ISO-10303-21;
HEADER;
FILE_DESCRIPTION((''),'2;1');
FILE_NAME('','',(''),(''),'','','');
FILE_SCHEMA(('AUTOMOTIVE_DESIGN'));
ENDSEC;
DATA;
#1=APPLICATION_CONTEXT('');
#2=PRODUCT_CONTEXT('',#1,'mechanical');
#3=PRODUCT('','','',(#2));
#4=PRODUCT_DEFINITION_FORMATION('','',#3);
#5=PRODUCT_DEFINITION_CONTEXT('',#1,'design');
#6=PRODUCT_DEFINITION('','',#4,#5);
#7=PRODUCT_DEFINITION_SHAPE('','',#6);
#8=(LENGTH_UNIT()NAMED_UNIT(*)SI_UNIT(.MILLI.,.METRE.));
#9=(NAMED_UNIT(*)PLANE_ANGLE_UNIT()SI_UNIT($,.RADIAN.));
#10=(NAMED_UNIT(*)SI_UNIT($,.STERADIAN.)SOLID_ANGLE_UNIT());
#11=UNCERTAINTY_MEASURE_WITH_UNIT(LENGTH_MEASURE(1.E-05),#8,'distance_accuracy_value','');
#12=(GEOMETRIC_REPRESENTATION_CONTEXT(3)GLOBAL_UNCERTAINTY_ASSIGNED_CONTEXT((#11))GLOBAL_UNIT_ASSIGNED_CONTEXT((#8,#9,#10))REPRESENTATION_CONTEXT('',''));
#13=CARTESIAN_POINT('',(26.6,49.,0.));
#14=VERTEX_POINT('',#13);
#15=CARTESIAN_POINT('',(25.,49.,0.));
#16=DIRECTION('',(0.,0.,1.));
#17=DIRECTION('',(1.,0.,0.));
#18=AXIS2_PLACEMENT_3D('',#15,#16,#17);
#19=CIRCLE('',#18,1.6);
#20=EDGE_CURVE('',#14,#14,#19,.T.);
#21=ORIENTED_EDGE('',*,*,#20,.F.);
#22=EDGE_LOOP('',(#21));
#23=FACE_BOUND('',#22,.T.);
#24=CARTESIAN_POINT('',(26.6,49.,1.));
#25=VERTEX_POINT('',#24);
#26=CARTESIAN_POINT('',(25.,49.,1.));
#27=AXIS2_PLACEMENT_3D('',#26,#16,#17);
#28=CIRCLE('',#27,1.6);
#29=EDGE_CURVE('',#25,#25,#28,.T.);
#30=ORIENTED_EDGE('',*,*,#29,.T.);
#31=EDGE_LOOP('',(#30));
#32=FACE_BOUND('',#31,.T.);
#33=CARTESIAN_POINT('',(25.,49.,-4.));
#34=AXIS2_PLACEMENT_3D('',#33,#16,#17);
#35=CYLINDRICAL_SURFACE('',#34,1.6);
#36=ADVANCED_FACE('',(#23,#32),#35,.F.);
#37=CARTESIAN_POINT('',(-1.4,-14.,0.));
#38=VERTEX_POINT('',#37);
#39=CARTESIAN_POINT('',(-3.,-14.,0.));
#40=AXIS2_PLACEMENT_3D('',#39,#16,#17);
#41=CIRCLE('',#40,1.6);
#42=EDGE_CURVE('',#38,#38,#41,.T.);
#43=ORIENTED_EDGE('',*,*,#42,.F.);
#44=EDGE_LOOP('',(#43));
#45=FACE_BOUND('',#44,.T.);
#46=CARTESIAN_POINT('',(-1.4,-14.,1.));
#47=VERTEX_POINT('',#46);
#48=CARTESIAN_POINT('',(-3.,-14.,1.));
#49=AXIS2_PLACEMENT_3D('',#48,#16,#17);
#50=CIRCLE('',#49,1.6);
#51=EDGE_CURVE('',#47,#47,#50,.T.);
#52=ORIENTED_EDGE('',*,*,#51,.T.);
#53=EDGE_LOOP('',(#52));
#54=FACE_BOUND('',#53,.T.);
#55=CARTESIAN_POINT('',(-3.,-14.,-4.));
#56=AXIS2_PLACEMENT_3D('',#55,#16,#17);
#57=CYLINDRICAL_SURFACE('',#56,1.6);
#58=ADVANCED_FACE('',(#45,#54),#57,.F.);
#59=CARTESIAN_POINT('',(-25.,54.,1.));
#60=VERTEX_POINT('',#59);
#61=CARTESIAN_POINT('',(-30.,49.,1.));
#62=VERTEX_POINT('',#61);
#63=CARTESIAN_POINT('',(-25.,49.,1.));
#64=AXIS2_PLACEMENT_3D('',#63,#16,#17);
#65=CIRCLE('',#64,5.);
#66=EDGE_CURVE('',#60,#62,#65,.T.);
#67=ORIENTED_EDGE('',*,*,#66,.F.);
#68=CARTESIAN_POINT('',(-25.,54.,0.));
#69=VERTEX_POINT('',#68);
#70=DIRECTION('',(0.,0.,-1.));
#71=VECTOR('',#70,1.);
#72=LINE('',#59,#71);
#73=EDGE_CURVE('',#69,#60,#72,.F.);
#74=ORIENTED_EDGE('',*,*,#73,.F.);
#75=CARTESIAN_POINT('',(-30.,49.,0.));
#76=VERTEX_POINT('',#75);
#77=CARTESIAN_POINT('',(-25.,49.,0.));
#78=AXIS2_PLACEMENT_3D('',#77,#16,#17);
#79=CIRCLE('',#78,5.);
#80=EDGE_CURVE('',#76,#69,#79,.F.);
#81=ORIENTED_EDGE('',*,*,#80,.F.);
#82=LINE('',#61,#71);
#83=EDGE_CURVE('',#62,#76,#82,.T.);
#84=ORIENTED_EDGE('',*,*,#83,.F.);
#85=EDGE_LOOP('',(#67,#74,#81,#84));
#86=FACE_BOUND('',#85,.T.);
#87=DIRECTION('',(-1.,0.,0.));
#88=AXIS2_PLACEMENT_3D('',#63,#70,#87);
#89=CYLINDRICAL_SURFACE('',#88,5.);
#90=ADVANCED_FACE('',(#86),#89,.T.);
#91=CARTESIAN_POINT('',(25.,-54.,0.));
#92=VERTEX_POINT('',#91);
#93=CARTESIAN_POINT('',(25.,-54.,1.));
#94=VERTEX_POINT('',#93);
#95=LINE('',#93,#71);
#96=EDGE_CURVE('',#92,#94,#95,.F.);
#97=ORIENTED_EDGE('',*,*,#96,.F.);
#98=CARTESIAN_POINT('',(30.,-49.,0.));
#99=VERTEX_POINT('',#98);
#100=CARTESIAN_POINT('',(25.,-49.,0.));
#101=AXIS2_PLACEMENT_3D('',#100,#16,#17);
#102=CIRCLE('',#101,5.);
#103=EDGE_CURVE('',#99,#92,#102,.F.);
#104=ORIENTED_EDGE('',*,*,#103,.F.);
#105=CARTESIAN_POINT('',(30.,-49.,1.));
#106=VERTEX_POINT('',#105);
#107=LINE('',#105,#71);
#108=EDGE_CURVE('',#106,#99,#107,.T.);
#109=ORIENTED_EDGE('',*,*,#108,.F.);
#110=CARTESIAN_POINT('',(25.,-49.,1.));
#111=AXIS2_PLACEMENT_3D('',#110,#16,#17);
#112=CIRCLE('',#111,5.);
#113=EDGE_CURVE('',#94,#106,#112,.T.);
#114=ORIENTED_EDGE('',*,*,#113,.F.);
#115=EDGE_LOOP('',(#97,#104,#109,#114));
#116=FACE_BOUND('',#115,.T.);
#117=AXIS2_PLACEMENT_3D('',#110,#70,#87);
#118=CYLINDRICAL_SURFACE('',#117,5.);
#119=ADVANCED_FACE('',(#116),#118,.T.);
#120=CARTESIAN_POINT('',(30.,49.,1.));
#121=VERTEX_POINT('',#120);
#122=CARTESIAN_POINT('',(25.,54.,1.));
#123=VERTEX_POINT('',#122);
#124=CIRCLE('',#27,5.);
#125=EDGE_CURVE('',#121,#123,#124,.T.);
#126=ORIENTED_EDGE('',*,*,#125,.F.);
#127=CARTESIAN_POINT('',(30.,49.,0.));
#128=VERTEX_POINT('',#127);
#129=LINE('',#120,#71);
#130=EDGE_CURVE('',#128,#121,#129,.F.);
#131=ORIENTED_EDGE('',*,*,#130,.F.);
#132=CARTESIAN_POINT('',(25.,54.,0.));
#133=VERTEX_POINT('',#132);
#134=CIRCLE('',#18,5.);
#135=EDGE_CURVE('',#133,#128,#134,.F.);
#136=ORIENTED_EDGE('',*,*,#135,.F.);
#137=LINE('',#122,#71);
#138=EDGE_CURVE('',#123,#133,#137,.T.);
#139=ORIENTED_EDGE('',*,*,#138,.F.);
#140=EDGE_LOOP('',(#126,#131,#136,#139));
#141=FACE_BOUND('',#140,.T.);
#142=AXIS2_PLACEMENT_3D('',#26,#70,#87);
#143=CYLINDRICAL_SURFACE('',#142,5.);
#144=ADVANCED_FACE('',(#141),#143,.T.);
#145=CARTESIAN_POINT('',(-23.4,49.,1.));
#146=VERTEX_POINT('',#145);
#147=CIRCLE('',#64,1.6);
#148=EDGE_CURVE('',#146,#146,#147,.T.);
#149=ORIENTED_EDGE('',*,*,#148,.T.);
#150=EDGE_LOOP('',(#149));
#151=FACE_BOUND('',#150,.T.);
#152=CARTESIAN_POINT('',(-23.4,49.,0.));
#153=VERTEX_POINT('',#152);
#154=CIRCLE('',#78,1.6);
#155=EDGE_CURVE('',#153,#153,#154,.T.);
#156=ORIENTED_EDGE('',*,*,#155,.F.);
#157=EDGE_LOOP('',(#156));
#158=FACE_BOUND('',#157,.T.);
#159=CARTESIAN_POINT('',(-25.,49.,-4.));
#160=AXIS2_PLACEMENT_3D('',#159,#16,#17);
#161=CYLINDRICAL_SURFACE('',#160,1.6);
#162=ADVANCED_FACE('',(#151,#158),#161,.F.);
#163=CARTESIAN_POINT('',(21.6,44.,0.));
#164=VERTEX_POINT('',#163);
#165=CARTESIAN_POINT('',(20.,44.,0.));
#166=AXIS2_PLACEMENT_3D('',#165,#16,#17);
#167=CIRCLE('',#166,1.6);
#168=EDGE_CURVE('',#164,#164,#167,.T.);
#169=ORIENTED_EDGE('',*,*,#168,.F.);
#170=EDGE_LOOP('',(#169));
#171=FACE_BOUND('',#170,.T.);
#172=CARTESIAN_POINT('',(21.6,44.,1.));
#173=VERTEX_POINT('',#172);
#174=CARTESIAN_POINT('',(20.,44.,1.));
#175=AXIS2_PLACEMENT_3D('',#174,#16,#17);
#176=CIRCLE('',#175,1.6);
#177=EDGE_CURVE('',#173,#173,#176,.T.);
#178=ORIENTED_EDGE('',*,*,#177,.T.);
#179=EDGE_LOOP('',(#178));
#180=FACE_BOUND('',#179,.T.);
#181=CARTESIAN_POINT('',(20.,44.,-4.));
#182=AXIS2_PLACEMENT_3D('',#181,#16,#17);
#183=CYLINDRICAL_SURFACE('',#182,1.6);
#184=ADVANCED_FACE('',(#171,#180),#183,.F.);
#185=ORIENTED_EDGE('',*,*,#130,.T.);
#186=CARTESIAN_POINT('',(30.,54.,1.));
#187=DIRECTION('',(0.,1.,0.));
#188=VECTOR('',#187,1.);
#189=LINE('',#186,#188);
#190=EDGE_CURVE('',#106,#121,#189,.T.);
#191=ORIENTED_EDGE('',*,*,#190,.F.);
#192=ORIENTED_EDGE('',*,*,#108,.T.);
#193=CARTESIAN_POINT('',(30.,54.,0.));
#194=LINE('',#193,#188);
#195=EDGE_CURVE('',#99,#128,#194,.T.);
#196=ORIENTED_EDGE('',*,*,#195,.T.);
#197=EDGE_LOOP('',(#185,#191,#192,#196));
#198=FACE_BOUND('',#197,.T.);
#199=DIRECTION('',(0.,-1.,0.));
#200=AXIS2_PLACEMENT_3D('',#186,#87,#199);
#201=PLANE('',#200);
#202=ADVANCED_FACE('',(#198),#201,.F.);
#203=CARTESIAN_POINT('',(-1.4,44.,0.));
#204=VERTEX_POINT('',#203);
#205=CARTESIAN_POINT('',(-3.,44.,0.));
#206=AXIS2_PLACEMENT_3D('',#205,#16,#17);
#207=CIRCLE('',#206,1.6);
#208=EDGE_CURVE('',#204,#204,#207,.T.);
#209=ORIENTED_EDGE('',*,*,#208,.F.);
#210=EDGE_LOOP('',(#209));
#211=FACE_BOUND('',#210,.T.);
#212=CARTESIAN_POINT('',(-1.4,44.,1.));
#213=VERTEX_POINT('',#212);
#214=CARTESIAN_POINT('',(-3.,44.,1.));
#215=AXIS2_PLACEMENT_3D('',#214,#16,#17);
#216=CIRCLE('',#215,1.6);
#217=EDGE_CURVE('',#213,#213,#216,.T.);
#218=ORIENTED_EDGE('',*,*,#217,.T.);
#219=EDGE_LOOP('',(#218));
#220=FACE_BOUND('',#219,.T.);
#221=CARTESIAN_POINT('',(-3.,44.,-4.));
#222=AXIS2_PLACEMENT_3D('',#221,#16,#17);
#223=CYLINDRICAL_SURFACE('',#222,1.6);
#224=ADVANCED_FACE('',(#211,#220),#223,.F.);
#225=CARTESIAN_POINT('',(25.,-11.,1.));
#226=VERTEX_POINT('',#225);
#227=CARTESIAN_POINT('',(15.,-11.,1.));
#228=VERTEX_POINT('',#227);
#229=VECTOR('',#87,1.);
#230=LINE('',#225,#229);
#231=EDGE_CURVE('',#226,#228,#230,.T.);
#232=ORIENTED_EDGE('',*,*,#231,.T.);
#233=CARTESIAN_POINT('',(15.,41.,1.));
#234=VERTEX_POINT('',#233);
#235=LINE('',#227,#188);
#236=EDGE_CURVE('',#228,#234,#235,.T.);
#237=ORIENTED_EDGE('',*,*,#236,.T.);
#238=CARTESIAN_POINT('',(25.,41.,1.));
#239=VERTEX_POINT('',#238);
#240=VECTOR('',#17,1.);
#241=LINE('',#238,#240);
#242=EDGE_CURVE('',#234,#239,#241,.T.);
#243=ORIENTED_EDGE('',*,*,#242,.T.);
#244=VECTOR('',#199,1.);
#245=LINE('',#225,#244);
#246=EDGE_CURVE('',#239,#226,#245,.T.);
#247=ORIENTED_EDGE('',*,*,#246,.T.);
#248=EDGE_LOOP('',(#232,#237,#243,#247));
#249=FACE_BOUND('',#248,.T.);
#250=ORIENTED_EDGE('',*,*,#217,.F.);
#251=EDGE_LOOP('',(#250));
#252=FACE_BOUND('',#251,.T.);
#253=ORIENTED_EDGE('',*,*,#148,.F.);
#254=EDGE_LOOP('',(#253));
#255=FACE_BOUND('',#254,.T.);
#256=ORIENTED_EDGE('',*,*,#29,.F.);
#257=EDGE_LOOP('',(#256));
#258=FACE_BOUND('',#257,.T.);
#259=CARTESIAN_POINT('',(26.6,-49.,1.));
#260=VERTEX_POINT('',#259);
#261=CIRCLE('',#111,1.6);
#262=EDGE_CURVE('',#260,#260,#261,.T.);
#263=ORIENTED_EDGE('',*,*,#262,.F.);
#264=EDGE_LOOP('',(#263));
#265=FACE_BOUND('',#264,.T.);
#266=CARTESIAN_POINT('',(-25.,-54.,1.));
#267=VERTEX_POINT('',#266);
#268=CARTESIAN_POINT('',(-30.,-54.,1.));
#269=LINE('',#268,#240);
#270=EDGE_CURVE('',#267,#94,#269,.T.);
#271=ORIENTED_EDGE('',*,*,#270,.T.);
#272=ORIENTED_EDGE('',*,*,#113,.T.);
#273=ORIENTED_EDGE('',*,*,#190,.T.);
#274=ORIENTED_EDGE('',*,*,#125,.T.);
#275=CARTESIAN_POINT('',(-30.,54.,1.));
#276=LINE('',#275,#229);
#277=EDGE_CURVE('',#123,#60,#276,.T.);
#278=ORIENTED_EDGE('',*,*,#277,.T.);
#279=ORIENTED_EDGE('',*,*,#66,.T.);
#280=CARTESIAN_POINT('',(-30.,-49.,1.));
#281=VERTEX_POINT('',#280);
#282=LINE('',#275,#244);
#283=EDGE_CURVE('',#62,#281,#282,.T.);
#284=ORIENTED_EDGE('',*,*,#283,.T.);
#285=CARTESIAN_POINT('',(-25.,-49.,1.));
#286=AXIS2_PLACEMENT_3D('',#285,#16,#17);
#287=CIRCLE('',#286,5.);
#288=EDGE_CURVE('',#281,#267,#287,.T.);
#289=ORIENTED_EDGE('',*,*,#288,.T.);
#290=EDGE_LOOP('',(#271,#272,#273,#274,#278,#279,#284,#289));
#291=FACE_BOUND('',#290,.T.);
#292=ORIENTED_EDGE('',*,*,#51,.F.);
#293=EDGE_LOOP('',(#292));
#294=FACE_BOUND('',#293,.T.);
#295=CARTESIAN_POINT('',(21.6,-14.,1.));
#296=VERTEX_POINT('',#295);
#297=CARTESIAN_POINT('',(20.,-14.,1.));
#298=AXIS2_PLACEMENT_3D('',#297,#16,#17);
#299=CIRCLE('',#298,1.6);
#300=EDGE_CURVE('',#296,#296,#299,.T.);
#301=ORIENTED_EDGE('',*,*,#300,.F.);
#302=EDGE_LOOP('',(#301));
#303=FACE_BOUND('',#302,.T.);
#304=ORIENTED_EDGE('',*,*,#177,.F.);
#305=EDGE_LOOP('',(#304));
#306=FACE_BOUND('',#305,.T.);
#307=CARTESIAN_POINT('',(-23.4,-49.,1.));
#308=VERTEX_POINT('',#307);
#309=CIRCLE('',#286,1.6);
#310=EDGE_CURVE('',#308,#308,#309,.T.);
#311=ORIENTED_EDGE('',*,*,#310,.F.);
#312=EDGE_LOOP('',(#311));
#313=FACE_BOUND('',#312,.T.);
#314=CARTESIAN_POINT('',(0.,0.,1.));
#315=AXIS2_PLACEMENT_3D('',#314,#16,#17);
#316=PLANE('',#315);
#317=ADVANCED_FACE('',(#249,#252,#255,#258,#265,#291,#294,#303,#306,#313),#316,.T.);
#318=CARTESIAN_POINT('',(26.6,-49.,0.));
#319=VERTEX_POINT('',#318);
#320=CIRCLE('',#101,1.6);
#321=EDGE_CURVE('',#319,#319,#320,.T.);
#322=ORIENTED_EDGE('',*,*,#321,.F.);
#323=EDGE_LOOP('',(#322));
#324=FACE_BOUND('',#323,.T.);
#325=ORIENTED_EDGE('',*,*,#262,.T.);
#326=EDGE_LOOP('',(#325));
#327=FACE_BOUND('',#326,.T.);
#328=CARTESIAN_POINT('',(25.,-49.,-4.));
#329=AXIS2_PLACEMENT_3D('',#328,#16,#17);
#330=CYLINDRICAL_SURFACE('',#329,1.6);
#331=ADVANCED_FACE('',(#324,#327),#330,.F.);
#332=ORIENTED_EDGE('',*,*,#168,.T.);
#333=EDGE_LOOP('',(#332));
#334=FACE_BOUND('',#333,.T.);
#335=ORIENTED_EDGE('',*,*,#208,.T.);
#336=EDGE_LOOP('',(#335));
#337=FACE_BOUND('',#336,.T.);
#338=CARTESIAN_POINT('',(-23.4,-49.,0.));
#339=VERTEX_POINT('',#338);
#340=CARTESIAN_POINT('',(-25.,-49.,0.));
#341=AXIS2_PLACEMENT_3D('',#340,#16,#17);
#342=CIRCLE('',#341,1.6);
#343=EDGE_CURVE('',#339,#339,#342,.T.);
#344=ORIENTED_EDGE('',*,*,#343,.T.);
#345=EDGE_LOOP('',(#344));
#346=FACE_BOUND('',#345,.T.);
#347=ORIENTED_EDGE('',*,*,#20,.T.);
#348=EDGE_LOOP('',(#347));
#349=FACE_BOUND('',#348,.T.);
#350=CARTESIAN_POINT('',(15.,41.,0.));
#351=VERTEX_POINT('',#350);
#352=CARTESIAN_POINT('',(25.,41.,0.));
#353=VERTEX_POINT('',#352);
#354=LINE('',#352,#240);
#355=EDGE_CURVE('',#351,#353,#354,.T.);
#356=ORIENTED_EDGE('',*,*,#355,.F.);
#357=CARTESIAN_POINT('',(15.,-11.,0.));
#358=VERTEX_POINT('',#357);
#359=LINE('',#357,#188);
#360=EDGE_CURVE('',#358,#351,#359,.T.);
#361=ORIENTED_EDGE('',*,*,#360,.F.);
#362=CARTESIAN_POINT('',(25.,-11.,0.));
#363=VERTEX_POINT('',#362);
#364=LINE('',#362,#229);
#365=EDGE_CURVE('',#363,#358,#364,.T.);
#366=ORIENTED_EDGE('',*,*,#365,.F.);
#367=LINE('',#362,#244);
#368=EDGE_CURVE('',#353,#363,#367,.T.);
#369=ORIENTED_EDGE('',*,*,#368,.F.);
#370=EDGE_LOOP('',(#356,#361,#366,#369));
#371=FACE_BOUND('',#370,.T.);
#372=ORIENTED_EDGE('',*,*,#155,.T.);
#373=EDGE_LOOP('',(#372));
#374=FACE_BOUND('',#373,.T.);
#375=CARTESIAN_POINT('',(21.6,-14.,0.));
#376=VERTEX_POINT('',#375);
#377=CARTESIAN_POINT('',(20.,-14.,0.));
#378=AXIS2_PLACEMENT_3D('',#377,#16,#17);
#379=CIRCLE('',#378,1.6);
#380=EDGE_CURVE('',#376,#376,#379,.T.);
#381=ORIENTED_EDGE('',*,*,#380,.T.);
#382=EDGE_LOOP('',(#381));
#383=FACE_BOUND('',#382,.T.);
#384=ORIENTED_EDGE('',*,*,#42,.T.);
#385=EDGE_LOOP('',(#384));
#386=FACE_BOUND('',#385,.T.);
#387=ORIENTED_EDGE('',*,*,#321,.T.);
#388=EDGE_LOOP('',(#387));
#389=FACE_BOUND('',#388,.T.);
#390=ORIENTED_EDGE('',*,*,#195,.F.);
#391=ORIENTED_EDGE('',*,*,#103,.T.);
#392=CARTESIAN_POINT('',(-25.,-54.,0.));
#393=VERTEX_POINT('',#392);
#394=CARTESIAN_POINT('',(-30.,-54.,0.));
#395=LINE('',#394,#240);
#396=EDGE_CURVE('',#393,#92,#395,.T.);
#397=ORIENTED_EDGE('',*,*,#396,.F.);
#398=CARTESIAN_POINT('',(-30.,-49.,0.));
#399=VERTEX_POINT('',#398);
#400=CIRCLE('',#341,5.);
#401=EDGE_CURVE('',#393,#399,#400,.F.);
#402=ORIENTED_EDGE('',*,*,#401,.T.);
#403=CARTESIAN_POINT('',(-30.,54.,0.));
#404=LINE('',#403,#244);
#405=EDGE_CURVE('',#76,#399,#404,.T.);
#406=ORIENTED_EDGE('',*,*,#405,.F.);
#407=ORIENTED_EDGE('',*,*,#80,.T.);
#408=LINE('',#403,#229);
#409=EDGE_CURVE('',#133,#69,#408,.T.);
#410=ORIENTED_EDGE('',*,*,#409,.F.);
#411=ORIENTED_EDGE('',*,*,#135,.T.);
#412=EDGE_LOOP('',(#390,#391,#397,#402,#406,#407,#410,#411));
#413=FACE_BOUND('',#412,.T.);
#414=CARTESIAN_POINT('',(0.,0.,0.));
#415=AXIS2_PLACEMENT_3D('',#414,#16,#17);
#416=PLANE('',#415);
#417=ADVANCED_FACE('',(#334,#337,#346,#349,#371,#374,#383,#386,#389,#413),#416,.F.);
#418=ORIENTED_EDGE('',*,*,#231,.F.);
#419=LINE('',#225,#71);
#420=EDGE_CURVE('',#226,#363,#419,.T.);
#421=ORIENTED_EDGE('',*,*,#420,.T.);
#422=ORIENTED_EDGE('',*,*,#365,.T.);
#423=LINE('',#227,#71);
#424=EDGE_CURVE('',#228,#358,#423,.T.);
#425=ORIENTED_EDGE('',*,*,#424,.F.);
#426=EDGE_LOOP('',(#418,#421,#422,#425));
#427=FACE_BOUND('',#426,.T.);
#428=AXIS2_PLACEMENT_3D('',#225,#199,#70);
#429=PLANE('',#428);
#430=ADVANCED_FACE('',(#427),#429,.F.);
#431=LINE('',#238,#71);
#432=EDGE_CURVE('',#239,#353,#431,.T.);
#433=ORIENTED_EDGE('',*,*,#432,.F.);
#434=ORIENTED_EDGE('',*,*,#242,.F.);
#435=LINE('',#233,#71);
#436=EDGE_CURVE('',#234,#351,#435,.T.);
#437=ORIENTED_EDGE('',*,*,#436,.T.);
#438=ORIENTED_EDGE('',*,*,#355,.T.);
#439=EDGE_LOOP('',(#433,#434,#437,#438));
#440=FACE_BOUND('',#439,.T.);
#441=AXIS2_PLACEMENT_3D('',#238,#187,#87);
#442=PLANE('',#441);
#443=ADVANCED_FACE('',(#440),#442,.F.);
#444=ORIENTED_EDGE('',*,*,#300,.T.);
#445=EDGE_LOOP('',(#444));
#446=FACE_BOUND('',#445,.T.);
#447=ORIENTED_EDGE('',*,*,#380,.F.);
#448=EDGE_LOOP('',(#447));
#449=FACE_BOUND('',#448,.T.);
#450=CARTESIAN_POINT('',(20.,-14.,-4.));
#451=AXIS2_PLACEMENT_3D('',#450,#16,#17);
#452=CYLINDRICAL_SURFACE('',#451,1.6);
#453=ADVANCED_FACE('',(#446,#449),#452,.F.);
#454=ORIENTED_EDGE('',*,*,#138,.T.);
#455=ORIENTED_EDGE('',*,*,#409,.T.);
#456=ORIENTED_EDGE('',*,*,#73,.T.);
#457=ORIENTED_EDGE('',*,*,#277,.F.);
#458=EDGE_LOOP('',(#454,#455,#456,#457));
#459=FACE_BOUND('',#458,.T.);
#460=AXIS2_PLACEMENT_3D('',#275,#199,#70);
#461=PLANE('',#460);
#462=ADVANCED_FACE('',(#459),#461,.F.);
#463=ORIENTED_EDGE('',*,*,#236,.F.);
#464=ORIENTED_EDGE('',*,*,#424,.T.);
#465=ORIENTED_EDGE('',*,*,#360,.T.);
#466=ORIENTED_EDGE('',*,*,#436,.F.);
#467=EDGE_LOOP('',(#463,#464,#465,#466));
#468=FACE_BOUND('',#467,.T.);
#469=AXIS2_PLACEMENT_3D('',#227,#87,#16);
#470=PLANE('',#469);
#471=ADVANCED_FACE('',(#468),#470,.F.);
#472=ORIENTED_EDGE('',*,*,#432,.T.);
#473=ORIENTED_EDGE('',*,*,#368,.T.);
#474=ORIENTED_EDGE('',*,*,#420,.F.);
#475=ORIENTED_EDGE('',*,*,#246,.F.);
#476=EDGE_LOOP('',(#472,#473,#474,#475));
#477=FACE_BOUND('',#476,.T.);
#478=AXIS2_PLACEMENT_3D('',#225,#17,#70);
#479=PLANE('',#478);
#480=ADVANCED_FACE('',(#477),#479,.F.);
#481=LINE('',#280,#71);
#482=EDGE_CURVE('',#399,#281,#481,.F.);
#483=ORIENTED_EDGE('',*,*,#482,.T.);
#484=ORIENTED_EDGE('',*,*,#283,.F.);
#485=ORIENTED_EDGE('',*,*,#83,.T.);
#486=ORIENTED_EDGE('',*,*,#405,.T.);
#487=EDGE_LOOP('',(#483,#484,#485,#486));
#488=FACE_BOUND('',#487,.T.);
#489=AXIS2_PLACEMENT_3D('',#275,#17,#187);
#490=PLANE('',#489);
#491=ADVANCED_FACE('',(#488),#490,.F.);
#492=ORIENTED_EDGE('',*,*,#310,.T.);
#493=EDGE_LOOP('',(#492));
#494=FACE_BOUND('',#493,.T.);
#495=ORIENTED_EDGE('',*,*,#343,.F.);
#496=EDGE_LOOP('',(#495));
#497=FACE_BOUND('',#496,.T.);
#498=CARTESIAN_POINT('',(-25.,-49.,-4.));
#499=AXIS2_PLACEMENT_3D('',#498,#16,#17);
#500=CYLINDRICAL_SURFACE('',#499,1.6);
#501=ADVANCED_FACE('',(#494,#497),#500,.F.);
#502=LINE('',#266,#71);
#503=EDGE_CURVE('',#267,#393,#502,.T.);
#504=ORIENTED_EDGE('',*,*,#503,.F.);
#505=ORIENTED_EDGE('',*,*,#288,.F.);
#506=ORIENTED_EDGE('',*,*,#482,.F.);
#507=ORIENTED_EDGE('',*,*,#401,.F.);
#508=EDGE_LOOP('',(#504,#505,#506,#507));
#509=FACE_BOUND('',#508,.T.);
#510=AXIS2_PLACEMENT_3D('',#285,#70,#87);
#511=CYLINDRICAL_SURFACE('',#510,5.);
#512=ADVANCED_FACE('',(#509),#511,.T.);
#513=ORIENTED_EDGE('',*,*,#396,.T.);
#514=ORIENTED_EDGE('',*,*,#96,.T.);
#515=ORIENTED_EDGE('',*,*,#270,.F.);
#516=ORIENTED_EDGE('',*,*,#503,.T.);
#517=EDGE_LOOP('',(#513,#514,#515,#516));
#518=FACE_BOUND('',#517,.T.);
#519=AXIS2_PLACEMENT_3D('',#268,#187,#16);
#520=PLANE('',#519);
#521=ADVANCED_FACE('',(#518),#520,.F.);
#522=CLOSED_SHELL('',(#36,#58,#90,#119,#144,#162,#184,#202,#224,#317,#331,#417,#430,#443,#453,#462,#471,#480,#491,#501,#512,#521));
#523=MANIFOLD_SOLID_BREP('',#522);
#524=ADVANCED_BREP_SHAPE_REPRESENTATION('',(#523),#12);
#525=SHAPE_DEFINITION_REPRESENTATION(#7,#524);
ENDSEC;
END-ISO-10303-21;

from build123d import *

# Parameters (mm, degrees)
SKETCH_1_W          = 60
SKETCH_1_H          = 108
EXTRUDE_1_DEPTH     = 1
SKETCH_2_R          = 1.6
CUT_EXTRUDE_1_DEPTH = 5
SKETCH_4_R          = 1.6
CUT_EXTRUDE_3_DEPTH = 5
FILLET_1_R          = 5
SKETCH_5_W          = 10
SKETCH_5_H          = 52
CUT_EXTRUDE_4_DEPTH = 62.781874365


with BuildPart() as part:
    # ｽｹｯﾁ1 → ﾎﾞｽ - 押し出し1 (new body)
    with BuildSketch(Plane.XY):
        Rectangle(SKETCH_1_W, SKETCH_1_H)
    extrude(amount=EXTRUDE_1_DEPTH)

    # ｽｹｯﾁ2 → ｶｯﾄ - 押し出し1 (cut)
    with BuildSketch(Plane.XY.offset(1)):
        with Locations((-3, 44)):
            Circle(SKETCH_2_R)
        with Locations((20, 44)):
            Circle(SKETCH_2_R)
        with Locations((-3, -14)):
            Circle(SKETCH_2_R)
        with Locations((20, -14)):
            Circle(SKETCH_2_R)
    extrude(amount=-CUT_EXTRUDE_1_DEPTH, mode=Mode.SUBTRACT)

    # ｽｹｯﾁ4 → ｶｯﾄ - 押し出し3 (cut)
    with BuildSketch(Plane.XY.offset(1)):
        with Locations((-25, 49)):
            Circle(SKETCH_4_R)
        with Locations((25, 49)):
            Circle(SKETCH_4_R)
        with Locations((-25, -49)):
            Circle(SKETCH_4_R)
        with Locations((25, -49)):
            Circle(SKETCH_4_R)
    extrude(amount=-CUT_EXTRUDE_3_DEPTH, mode=Mode.SUBTRACT)

    # ﾌｨﾚｯﾄ1
    fillet_1_edges = [part.edges().sort_by_distance(p)[0] for p in [
        (30, -54, 0.5),
        (-30, -54, 0.5),
        (-30, 54, 0.5),
        (30, 54, 0.5),
    ]]
    fillet(fillet_1_edges, radius=FILLET_1_R)

    # ｽｹｯﾁ5 → ｶｯﾄ - 押し出し4 (cut, through all)
    with BuildSketch(Plane(origin=(0, 0, 0), x_dir=(-1, 0, 0), z_dir=(0, 0, -1))):
        with Locations((-20, 15)):
            Rectangle(SKETCH_5_W, SKETCH_5_H)
    extrude(amount=-CUT_EXTRUDE_4_DEPTH, mode=Mode.SUBTRACT)


solid = part.part
